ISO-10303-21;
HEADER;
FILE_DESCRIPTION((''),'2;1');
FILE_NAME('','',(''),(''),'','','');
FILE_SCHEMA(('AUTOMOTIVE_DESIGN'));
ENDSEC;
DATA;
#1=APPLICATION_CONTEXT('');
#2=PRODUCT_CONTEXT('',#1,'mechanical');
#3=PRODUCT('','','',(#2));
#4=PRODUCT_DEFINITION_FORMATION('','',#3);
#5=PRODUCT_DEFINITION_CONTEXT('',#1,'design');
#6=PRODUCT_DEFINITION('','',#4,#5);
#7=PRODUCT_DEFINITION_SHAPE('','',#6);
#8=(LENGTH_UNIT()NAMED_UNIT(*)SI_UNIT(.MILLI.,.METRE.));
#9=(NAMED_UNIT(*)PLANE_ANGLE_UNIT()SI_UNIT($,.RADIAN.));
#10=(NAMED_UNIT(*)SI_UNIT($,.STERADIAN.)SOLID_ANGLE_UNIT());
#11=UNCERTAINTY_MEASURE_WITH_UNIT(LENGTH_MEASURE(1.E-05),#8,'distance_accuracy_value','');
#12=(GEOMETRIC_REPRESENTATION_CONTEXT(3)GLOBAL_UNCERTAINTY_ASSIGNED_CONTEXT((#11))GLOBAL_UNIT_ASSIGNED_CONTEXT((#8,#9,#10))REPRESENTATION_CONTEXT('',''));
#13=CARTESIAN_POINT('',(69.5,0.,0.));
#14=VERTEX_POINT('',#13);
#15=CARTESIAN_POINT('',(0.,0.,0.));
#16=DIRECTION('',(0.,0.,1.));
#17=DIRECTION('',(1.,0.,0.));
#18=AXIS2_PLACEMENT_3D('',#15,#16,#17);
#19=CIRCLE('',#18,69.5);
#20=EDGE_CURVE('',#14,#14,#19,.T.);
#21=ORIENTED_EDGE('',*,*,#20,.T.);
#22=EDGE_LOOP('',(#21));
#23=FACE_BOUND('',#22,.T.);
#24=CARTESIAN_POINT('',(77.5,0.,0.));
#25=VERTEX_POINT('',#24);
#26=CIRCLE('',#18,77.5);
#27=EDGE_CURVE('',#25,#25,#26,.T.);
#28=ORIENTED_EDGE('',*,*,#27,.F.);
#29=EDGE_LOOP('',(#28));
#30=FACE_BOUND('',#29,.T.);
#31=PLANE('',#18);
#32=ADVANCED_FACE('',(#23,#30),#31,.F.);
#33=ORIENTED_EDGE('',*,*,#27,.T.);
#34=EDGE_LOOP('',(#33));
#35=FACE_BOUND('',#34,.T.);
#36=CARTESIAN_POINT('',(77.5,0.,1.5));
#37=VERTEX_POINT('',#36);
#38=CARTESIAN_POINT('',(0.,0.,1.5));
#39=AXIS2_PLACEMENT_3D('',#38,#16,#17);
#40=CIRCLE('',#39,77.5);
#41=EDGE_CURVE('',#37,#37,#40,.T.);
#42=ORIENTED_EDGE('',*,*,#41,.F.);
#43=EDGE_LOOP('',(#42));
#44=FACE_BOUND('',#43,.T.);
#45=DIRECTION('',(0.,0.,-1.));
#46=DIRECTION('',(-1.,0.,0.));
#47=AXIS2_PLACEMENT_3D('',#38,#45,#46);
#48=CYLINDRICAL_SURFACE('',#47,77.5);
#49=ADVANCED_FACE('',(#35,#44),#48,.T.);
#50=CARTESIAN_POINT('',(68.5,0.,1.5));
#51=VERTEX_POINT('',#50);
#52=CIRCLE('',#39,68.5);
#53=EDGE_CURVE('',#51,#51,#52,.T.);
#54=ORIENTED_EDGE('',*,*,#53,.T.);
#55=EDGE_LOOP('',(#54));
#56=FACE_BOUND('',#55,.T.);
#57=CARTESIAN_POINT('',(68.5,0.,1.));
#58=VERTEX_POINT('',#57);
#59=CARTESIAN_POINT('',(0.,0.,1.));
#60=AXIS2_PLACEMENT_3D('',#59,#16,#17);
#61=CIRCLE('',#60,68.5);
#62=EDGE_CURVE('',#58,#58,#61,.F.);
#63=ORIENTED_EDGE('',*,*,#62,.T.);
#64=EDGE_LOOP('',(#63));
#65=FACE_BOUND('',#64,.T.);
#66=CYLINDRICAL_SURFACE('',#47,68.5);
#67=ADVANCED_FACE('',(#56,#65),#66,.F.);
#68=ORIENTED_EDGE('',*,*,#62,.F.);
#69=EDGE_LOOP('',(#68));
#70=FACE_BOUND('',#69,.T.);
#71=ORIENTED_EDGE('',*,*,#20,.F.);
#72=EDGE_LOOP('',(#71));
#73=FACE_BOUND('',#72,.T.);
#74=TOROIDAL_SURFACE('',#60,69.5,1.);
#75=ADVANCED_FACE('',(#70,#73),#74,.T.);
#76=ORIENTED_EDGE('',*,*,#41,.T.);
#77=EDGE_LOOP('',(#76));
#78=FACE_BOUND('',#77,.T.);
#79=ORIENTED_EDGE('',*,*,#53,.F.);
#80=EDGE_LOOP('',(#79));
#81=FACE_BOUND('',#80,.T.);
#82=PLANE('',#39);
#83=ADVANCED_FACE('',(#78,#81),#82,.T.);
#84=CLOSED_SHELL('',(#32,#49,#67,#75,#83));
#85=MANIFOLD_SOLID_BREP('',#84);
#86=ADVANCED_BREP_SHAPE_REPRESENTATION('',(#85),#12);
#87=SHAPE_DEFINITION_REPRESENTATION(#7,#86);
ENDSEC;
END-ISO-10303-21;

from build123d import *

# Parameters (mm, degrees)
SKETCH_1_R      = 77.5
SKETCH_1_R_2    = 68.5
EXTRUDE_1_DEPTH = 1.5
FILLET_1_R      = 1


with BuildPart() as part:
    # 草图1 → 拉伸-薄壁1 (new body)
    with BuildSketch(Plane.XY):
        Circle(SKETCH_1_R)
        Circle(SKETCH_1_R_2, mode=Mode.SUBTRACT)
    extrude(amount=EXTRUDE_1_DEPTH)

    # 圆角1
    fillet_1_edges = [part.edges().sort_by_distance(p)[0] for p in [
        (-68.5, 0, 0),
    ]]
    fillet(fillet_1_edges, radius=FILLET_1_R)


solid = part.part
